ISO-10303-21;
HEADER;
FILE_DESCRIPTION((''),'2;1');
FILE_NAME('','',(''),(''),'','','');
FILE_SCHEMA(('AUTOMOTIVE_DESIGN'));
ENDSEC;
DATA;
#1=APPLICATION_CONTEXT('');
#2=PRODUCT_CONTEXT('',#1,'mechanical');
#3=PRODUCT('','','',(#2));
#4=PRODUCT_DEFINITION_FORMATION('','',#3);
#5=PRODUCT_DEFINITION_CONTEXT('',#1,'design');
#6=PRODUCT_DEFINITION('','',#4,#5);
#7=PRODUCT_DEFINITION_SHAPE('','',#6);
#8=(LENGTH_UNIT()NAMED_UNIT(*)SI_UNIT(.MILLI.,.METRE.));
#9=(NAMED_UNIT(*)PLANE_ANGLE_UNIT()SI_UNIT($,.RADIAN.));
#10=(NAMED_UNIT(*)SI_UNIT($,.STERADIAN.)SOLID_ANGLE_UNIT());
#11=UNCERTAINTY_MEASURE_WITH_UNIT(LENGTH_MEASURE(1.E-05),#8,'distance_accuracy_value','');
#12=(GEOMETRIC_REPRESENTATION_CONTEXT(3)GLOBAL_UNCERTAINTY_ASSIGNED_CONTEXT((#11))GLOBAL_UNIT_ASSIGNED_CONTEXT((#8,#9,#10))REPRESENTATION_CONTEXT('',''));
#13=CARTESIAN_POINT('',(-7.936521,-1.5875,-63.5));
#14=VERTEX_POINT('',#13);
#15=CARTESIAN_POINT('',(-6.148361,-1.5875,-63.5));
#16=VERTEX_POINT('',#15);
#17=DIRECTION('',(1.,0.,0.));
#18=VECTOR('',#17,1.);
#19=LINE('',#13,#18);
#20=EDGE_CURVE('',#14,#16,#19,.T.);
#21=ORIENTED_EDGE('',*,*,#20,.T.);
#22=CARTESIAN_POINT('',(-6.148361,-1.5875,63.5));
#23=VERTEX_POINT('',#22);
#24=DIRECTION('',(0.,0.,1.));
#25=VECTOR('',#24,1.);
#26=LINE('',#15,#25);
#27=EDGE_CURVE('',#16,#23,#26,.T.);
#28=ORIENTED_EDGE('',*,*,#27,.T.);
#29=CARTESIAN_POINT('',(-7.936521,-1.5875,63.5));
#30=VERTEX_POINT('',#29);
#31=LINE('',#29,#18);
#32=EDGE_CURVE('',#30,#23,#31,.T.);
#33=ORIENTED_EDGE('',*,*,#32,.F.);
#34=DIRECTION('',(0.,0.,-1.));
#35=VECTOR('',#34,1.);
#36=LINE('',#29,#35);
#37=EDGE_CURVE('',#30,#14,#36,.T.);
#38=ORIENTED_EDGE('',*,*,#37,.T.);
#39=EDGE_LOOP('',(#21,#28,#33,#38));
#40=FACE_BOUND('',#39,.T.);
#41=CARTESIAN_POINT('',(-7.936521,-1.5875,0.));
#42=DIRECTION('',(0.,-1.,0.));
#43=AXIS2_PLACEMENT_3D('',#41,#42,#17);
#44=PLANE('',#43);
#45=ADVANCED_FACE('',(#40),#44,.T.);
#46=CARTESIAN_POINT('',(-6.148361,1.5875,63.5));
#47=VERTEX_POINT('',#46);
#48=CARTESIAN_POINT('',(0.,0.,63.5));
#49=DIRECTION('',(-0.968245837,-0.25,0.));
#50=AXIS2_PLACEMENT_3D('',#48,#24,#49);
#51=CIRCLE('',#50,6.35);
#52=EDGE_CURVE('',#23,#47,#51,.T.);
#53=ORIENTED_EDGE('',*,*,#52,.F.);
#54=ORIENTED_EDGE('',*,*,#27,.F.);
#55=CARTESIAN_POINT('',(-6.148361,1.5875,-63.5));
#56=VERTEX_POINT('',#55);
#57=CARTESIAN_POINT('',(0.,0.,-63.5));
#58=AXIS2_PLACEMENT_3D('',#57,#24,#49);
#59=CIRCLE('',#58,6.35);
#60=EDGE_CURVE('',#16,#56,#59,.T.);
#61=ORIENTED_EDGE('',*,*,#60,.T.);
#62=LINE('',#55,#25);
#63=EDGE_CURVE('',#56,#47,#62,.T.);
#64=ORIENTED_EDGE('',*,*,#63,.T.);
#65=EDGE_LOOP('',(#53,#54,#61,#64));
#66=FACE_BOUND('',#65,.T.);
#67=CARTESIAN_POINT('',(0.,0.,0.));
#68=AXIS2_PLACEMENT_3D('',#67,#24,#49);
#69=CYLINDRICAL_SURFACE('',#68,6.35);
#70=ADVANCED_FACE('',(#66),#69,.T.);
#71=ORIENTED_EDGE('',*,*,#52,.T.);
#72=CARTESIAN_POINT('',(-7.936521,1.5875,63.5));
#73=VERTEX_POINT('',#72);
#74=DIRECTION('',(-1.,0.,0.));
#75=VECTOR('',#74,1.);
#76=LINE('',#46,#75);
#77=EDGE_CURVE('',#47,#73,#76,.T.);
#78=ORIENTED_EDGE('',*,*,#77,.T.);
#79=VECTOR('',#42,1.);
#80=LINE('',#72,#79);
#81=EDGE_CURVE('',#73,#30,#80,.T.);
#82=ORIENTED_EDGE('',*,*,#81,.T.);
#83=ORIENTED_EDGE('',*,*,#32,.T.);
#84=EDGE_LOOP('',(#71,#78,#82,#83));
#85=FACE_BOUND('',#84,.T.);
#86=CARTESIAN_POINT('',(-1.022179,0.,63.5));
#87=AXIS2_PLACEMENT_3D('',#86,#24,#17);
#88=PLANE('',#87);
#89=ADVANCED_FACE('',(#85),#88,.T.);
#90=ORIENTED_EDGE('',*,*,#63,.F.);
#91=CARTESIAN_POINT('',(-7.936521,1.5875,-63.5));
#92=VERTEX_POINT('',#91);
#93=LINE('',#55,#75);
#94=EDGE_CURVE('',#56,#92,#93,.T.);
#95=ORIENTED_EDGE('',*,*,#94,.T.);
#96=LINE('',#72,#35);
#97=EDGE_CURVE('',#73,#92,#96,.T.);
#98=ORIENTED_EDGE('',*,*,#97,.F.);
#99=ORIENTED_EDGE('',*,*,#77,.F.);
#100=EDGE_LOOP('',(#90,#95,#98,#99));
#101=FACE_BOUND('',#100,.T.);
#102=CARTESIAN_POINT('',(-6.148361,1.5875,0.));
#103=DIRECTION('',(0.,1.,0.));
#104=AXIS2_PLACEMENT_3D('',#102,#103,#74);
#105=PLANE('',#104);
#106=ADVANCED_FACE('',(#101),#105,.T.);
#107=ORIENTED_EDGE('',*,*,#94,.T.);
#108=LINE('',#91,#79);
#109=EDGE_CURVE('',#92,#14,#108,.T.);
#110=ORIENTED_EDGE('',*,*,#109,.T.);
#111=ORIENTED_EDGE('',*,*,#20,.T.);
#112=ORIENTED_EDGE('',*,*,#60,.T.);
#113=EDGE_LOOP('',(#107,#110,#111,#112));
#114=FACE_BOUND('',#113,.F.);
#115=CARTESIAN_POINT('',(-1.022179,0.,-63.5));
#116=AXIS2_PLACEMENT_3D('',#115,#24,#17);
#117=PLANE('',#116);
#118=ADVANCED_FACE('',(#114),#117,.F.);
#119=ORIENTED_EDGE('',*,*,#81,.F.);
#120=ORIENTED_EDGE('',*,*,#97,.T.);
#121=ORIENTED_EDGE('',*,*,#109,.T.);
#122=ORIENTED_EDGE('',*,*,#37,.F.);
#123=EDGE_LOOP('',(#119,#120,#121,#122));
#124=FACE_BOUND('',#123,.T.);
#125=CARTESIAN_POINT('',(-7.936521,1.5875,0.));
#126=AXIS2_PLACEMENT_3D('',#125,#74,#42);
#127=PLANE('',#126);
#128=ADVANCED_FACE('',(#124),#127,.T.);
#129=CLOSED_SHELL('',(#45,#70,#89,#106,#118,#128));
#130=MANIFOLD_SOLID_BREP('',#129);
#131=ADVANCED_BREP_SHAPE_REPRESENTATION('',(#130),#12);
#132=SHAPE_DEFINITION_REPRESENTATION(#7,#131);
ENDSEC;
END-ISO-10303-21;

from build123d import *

# Parameters (mm, degrees)
F1_DEPTH = 63.5


with BuildPart() as f1:
    # F0 (on Top) → F1 (new body, symmetric)
    with BuildSketch(Plane.XY):
        with BuildLine():
            Line((-7.9365210621, -1.5875), (-6.1483610621, -1.5875))
            ThreePointArc((-6.1483610621, -1.5875), (6.35, 0), (-6.1483610621, 1.5875))
            Line((-6.1483610621, 1.5875), (-7.9365210621, 1.5875))
            Line((-7.9365210621, 1.5875), (-7.9365210621, -1.5875))
        make_face()
    extrude(amount=F1_DEPTH, both=True)


solid = f1.part
